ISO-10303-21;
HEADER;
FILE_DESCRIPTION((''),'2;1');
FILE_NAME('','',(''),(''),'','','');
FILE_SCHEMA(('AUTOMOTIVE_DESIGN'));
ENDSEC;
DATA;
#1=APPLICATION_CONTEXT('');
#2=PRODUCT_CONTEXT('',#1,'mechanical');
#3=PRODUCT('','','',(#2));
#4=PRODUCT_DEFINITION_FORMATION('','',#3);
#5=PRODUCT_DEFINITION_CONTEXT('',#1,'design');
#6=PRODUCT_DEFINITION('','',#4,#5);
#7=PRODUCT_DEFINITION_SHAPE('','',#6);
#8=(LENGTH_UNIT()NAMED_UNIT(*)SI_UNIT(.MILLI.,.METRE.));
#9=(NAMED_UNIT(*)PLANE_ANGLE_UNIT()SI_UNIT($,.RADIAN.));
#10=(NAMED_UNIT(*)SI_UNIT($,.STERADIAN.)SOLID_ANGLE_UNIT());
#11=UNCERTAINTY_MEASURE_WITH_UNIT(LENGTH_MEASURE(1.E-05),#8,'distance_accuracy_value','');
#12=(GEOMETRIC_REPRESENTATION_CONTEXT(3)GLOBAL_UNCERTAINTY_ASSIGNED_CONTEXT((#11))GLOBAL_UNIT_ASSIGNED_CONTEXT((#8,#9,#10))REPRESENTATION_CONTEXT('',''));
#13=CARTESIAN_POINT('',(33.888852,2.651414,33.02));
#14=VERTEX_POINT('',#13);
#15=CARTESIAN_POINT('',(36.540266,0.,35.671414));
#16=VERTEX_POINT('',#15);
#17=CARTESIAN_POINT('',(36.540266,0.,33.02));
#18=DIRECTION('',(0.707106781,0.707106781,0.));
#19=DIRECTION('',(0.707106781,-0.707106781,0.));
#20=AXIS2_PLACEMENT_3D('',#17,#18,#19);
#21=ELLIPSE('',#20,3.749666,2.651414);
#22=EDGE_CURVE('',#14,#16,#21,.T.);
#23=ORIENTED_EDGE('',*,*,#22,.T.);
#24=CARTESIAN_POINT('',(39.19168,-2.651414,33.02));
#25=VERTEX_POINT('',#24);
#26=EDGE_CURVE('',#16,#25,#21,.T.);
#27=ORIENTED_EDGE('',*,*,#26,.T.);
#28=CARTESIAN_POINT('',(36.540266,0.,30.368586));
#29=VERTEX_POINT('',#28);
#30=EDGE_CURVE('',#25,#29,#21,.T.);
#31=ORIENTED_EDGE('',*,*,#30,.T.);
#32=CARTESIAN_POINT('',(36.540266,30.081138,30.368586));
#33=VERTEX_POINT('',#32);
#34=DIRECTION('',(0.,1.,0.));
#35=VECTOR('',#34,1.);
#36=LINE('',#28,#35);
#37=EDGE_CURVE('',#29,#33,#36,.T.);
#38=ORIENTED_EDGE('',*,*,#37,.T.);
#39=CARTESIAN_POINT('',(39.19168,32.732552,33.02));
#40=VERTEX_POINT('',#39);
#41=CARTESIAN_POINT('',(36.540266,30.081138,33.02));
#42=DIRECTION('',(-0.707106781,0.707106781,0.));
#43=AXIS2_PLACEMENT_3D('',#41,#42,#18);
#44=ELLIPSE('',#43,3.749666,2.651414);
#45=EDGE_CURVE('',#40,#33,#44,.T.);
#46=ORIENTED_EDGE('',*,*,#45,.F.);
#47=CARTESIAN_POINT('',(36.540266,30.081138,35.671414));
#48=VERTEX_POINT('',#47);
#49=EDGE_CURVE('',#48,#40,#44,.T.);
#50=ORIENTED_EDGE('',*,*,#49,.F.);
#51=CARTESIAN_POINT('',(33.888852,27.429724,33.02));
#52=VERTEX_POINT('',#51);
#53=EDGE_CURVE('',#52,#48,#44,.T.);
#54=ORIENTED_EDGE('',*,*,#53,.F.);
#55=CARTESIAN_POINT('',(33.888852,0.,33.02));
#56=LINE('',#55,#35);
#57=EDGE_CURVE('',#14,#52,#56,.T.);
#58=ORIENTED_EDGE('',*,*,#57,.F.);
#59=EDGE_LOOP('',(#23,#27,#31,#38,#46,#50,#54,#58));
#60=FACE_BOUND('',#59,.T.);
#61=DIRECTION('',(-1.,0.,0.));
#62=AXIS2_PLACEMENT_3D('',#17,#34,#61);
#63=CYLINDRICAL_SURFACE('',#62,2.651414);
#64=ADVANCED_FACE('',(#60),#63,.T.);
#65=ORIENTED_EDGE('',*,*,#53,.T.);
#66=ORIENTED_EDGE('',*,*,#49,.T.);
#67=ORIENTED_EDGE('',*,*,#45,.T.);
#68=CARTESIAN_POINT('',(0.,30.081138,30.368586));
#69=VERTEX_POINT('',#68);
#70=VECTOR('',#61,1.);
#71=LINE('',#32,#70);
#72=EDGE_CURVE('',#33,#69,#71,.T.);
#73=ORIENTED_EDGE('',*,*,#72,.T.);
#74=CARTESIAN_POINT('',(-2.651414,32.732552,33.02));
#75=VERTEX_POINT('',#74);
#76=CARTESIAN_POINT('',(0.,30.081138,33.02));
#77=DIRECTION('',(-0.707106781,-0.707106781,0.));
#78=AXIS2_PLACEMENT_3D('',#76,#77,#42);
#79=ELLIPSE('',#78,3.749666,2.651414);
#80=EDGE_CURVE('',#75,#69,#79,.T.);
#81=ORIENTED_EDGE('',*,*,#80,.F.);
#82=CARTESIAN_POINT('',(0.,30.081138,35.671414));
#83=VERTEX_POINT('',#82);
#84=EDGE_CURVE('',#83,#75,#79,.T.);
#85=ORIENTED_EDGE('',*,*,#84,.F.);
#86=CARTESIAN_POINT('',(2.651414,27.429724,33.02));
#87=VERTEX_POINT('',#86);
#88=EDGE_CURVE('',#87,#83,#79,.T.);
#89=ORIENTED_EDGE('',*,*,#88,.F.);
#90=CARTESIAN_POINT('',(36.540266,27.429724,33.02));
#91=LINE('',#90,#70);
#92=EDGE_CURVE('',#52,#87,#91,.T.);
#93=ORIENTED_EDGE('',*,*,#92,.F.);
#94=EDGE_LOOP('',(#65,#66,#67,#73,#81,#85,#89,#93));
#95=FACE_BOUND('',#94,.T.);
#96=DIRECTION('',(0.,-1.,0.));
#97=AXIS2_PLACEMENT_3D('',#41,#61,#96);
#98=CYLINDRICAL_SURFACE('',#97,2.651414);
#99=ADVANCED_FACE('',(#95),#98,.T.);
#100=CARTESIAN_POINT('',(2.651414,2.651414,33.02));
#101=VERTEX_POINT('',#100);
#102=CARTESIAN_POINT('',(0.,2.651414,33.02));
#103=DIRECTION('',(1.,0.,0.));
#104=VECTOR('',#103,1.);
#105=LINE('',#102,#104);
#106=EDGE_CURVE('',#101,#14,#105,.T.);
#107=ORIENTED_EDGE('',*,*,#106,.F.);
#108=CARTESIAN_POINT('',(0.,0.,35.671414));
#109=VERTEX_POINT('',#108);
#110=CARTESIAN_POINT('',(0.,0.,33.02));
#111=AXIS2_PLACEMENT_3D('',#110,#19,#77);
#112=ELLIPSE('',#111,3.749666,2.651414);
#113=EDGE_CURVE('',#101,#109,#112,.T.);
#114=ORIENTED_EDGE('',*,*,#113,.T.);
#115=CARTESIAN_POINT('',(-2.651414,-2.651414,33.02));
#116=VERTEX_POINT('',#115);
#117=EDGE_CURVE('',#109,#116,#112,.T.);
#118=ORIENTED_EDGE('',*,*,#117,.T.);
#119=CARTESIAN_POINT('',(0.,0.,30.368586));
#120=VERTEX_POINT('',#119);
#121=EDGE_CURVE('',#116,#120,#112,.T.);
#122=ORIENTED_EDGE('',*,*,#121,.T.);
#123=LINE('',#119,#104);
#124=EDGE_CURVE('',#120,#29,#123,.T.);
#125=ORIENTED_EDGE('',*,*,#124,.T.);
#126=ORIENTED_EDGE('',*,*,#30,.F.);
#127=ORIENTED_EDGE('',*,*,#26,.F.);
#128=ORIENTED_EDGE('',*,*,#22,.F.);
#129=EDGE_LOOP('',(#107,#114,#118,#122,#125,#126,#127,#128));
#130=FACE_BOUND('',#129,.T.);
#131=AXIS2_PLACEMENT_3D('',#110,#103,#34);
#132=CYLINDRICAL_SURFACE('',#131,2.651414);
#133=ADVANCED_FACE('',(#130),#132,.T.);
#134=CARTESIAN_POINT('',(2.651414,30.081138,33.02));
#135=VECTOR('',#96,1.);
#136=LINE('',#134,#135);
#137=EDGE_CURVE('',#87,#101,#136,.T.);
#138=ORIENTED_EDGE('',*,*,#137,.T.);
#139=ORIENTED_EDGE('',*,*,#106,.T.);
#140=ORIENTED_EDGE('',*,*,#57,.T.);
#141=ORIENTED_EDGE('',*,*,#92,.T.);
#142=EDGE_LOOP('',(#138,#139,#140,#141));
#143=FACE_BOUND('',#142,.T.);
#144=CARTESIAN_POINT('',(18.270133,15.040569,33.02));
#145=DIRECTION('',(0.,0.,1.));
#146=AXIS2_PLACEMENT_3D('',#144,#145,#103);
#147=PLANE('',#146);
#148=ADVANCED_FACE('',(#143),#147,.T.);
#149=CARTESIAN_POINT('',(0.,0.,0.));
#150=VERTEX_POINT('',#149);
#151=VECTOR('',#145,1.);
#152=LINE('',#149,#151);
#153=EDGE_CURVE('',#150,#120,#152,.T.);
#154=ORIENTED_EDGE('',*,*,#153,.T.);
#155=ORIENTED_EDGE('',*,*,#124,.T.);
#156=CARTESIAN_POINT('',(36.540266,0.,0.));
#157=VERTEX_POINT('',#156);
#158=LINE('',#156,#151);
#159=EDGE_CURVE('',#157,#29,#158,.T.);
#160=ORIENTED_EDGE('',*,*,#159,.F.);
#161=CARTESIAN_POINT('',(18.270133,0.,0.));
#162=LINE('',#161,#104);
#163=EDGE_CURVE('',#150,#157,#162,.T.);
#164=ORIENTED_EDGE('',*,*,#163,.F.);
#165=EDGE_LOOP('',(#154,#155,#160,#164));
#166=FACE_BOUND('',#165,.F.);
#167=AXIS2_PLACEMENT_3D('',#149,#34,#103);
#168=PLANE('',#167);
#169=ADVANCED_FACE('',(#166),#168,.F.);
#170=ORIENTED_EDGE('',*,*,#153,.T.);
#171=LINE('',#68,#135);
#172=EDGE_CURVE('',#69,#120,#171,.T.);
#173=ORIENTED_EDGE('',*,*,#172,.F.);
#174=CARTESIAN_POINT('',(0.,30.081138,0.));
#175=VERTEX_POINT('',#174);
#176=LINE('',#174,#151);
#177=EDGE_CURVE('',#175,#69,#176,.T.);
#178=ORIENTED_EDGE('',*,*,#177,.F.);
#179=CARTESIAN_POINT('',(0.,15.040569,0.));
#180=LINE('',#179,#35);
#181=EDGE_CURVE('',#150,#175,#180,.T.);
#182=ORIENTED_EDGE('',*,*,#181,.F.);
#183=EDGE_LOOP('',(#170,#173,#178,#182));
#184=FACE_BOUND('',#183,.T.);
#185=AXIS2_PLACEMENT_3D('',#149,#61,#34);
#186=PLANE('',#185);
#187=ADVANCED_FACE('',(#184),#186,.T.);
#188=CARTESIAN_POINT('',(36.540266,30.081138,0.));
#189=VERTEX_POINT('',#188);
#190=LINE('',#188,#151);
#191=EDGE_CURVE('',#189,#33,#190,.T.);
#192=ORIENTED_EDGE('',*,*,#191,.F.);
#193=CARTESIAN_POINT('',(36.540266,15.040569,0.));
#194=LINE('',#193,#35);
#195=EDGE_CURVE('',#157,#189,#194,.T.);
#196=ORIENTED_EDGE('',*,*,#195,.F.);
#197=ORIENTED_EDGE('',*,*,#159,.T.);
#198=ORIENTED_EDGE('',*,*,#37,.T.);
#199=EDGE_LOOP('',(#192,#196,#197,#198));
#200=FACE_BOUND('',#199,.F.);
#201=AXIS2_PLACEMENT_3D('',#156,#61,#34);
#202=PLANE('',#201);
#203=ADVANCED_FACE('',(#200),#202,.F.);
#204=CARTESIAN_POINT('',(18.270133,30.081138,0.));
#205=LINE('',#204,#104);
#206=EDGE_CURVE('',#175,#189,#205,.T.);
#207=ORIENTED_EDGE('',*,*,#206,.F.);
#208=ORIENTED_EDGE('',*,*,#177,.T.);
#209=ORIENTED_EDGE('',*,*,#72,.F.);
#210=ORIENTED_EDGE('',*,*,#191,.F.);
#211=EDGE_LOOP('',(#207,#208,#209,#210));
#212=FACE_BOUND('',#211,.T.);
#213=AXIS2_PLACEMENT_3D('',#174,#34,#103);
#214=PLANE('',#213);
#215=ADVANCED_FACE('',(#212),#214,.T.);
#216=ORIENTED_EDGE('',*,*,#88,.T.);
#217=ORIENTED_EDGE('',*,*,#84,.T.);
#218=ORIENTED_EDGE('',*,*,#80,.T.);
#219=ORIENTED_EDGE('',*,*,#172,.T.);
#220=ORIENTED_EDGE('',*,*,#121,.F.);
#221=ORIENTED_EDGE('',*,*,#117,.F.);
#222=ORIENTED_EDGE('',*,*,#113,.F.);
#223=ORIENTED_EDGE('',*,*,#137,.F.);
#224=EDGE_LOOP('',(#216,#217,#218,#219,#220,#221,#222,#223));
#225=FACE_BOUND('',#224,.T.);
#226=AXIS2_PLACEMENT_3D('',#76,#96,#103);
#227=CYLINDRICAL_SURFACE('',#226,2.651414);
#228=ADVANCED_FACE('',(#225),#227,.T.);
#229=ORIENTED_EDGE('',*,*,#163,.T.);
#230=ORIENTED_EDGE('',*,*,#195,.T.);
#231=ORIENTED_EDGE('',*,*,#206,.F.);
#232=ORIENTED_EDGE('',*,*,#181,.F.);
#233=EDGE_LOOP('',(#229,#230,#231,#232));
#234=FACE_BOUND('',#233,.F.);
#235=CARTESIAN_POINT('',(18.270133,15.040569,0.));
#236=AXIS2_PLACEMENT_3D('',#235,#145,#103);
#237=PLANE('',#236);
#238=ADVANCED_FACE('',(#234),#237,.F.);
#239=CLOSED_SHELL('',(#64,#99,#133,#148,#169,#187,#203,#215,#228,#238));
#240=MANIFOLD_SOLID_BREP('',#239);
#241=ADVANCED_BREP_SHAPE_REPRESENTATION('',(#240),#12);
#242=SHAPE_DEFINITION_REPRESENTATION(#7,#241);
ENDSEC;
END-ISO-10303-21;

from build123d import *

# Parameters (mm, degrees)
F0_W     = 36.5402661264
F0_H     = 30.0811380148
F1_DEPTH = 33.02


with BuildPart() as f1:
    # F0 (on Top) → F1 (new body)
    with BuildSketch(Plane.XY):
        with Locations((18.2701330632, 15.0405690074)):
            Rectangle(F0_W, F0_H)
    extrude(amount=F1_DEPTH)

    # F3: sweep along a path in F3_path
    with BuildLine(Plane(origin=(0, 0, 33.02), x_dir=(0, -1, 0), z_dir=(0, 0, -1))) as f3_path:
        Line((0, 0), (0, -36.5402661264))
        Line((0, -36.5402661264), (-30.0811380148, -36.5402661264))
        Line((-30.0811380148, -36.5402661264), (-30.0811380148, 0))
        Line((-30.0811380148, 0), (0, 0))
    # F2 (on face) → F3 (sweep)
    with BuildSketch(Plane.YZ.offset(36.5402661264)):
        with BuildLine():
            Line((0, 33.02), (2.6514142758, 33.02))
            ThreePointArc((2.6514142758, 33.02), (-1.8748330141, 34.8948330141), (0, 30.3685857242))
            Line((0, 30.3685857242), (0, 33.02))
        make_face()
    sweep(path=f3_path.line, transition=Transition.RIGHT)


solid = f1.part
